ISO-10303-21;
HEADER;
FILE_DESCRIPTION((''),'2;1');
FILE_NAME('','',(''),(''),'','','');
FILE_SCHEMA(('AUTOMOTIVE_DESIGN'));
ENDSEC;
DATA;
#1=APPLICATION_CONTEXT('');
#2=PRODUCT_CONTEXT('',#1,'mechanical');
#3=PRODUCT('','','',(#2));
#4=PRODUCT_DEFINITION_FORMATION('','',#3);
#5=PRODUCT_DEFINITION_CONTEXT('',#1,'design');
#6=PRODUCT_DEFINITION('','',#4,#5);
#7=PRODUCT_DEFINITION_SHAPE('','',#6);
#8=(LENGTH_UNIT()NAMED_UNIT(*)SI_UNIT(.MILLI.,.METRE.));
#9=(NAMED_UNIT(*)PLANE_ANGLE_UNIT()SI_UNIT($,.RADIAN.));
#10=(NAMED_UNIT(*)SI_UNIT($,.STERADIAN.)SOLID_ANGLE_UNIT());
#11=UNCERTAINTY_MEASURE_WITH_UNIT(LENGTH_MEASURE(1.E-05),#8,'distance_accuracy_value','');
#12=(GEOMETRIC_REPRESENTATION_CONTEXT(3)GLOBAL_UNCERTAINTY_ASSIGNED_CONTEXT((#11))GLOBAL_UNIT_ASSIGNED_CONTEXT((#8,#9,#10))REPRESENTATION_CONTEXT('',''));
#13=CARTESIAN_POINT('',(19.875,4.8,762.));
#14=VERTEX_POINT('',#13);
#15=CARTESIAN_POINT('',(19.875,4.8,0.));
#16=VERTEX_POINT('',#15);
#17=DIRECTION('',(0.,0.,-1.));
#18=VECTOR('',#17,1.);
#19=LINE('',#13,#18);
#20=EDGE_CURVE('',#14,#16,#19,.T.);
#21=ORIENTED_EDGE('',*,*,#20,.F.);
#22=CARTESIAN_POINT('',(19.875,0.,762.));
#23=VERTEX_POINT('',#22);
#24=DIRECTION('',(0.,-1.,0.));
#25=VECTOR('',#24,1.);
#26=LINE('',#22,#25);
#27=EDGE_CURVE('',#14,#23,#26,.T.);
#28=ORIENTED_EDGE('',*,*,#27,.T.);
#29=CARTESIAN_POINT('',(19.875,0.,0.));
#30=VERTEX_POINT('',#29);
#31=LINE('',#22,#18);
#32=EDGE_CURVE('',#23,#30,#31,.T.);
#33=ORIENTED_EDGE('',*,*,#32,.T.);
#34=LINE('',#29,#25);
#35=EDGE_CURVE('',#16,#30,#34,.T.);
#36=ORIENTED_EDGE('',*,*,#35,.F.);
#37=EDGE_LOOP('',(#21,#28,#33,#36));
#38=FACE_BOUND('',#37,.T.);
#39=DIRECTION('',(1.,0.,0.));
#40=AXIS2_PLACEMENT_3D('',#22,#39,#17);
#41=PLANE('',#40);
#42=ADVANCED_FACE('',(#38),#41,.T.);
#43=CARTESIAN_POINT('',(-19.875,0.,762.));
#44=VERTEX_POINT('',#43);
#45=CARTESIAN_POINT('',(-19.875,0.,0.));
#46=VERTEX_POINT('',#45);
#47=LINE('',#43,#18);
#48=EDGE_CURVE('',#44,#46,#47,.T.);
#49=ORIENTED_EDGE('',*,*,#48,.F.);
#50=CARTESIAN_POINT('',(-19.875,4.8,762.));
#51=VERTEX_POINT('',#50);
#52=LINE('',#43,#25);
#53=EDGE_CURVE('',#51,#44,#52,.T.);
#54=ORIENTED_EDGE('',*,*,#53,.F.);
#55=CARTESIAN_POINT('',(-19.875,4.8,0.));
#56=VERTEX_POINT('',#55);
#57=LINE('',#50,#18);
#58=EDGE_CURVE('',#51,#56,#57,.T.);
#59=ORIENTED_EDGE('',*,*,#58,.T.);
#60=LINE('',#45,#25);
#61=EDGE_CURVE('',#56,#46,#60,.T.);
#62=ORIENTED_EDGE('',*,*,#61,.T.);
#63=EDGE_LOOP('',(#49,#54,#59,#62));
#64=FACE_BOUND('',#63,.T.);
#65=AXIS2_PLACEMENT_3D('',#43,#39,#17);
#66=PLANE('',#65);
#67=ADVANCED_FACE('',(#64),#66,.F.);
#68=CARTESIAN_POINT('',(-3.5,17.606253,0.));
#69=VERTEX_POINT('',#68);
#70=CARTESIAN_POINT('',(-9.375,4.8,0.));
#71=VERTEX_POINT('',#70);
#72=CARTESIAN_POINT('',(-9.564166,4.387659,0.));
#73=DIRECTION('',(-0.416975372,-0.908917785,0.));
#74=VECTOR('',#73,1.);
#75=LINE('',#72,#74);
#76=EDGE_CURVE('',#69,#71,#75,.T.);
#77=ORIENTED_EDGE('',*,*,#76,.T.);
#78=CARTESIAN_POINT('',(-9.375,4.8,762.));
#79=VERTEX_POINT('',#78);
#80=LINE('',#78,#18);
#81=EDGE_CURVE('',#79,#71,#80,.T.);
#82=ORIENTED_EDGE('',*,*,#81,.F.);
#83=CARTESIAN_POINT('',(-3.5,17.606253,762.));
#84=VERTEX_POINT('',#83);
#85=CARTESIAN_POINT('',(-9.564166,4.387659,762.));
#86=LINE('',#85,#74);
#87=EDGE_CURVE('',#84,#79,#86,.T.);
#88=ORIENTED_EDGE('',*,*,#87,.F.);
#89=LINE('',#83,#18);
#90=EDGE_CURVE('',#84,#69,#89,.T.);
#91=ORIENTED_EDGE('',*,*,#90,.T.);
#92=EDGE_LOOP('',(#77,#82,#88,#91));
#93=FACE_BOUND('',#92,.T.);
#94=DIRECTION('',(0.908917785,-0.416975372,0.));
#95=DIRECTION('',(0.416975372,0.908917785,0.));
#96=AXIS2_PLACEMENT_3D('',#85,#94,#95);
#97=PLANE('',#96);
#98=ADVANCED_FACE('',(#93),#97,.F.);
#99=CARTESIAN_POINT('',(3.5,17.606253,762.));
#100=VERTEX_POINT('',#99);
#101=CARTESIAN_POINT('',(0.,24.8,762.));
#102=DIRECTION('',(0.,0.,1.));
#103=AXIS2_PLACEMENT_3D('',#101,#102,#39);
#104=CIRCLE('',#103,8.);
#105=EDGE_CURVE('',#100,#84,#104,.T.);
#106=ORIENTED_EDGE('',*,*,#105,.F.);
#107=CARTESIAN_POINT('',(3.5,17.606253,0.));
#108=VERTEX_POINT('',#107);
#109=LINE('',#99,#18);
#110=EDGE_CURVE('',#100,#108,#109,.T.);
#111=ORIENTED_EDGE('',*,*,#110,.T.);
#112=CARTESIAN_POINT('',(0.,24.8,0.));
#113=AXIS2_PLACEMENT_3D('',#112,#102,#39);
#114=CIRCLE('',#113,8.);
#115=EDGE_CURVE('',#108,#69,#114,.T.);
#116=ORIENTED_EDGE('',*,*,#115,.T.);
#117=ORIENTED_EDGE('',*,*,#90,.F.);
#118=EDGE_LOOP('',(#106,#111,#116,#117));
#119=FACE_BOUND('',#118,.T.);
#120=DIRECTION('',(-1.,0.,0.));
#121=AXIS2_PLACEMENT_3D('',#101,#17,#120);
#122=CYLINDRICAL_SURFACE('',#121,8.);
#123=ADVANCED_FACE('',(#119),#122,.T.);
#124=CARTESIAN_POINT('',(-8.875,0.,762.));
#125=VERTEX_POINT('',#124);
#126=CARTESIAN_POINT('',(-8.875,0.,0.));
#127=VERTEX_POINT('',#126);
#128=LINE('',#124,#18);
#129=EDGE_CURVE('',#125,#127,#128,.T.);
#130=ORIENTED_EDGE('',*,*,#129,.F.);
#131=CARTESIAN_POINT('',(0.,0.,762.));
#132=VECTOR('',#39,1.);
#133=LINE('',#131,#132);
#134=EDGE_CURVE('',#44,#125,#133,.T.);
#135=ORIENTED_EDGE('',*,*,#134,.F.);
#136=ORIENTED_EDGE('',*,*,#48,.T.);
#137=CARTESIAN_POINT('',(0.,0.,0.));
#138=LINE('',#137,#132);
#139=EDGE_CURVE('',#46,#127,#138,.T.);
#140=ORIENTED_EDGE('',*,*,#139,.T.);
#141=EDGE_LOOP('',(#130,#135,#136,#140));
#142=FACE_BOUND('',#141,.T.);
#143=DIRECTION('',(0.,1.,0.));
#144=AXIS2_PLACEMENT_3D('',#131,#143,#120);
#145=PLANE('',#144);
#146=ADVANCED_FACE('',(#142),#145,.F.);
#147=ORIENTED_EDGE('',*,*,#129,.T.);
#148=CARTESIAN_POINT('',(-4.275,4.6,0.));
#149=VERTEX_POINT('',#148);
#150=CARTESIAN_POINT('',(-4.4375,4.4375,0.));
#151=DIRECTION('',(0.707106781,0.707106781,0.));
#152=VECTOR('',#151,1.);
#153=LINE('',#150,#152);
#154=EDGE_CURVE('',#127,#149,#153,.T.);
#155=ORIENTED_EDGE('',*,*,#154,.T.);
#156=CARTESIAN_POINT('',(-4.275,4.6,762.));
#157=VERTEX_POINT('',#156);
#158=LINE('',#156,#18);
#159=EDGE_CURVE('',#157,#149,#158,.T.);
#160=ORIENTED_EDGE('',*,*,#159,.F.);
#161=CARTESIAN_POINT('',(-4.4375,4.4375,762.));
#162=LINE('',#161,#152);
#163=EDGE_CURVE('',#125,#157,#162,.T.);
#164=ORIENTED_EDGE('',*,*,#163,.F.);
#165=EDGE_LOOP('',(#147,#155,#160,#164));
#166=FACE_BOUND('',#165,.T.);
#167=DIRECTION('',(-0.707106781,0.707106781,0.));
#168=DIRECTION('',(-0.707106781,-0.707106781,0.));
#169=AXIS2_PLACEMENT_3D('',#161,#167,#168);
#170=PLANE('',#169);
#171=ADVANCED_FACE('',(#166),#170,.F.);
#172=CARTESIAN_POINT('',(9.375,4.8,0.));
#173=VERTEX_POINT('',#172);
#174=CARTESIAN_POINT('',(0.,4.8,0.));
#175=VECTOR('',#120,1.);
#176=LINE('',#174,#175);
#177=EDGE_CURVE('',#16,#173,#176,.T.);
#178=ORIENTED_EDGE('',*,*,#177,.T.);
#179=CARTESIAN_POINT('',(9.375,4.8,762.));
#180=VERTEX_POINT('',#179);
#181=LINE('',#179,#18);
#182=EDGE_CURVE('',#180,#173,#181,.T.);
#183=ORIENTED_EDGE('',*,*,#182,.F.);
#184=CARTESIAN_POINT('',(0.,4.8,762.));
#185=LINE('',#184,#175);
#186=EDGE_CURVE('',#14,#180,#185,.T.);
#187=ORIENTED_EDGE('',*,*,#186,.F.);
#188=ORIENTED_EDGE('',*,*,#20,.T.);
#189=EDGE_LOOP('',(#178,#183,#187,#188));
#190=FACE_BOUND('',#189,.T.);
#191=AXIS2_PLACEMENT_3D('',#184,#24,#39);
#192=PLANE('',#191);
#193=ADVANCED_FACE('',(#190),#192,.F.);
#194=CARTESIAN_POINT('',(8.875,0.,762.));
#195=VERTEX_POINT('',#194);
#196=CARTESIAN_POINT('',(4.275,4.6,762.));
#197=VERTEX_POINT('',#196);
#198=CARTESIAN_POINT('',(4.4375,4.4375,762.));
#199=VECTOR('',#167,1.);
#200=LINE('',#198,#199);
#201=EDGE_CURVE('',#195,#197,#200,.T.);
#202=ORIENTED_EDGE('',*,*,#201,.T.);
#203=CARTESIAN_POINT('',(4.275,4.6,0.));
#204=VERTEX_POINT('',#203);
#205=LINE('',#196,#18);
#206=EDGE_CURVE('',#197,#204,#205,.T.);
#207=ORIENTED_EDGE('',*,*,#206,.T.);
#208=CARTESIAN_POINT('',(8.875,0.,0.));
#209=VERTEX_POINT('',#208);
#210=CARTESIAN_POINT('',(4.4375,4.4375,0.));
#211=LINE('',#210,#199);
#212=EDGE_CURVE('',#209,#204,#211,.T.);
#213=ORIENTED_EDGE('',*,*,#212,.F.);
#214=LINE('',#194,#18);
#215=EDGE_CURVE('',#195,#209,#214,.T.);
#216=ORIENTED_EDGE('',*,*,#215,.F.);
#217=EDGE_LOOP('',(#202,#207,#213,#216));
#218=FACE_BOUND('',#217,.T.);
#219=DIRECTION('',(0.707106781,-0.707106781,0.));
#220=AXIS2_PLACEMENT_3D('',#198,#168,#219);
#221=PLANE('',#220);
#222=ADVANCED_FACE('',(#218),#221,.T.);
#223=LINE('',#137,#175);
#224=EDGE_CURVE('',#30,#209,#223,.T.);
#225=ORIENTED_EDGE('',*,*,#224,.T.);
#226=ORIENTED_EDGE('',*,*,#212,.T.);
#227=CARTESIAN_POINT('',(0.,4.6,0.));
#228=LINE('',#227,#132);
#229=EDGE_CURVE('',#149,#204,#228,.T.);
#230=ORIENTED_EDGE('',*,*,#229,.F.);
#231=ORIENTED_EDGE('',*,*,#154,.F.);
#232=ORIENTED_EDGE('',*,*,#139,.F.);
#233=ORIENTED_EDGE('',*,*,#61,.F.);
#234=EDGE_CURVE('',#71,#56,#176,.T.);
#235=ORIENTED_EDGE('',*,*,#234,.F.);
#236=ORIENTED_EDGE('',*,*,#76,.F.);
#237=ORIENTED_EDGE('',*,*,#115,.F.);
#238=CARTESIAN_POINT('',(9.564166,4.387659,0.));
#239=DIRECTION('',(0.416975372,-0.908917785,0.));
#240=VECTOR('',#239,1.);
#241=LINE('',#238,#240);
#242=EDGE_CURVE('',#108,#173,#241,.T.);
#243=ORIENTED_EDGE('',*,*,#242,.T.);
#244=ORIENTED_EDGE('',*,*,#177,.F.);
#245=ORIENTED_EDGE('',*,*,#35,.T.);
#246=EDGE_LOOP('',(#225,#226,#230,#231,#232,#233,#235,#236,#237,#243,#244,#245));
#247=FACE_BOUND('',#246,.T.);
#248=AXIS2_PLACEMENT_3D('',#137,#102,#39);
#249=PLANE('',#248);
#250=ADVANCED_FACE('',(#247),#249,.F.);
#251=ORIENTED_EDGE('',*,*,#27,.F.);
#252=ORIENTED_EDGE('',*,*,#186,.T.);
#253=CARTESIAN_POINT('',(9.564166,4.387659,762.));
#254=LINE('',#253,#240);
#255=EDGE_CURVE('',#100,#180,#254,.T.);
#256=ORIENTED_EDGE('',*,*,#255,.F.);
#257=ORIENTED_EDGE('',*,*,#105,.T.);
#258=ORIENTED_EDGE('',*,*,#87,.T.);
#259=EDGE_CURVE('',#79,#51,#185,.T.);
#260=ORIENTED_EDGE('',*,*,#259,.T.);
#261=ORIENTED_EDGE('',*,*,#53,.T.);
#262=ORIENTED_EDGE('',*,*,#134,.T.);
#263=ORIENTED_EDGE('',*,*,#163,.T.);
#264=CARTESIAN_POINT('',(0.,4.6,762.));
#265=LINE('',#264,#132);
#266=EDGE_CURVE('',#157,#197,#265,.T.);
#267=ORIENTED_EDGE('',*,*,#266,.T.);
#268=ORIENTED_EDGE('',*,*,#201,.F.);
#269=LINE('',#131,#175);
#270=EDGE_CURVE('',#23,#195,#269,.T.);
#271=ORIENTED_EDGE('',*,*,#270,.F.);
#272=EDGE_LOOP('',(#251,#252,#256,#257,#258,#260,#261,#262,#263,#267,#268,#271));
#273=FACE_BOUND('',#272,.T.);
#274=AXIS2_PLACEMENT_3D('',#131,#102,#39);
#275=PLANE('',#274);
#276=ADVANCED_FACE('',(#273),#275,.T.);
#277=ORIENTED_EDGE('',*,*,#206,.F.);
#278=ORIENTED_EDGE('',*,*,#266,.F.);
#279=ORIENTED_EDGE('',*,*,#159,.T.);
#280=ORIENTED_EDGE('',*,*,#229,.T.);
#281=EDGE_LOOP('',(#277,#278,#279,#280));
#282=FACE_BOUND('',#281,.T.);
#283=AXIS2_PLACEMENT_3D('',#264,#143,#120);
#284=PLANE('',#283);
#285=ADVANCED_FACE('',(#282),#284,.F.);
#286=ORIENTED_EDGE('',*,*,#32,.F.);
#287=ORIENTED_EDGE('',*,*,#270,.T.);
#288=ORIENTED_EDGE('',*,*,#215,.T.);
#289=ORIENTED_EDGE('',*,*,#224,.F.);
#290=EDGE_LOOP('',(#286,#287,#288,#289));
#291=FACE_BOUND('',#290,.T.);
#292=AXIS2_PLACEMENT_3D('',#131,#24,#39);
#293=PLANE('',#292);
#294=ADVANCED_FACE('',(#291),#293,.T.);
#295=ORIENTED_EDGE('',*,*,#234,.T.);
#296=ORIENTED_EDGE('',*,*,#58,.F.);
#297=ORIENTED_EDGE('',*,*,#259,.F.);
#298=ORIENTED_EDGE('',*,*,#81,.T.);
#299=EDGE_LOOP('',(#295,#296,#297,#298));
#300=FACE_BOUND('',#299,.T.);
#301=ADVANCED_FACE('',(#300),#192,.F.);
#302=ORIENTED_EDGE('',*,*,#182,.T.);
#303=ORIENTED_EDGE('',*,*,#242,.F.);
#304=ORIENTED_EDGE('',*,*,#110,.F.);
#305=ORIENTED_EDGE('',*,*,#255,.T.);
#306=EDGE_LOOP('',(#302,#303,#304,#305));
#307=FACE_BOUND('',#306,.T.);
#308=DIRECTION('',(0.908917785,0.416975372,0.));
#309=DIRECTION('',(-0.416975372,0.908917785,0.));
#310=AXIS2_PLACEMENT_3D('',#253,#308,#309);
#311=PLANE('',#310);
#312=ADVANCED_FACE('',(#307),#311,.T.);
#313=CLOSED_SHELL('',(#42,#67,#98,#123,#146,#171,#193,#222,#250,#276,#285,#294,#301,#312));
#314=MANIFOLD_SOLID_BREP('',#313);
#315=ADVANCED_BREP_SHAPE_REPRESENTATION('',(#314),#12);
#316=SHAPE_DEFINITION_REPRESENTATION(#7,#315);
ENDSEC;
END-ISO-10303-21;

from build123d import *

# Parameters (mm, degrees)
BOSS_EXTRUDE1_DEPTH = 762


with BuildPart() as part:
    # Sketch1 → Boss-Extrude1 (new body)
    with BuildSketch(Plane.XY):
        with BuildLine():
            Line((3.5, 17.606252715), (9.375, 4.8))
            Line((9.375, 4.8), (19.875, 4.8))
            Line((19.875, 4.8), (19.875, 0))
            Line((19.875, 0), (8.875, 0))
            Line((8.875, 0), (4.275, 4.6))
            Line((4.275, 4.6), (-4.275, 4.6))
            Line((-4.275, 4.6), (-8.875, 0))
            Line((-8.875, 0), (-19.875, 0))
            Line((-19.875, 0), (-19.875, 4.8))
            Line((-19.875, 4.8), (-9.375, 4.8))
            Line((-9.375, 4.8), (-3.5, 17.606252715))
            ThreePointArc((-3.5, 17.606252715), (0, 32.8), (3.5, 17.606252715))
        make_face()
    extrude(amount=BOSS_EXTRUDE1_DEPTH)


solid = part.part
